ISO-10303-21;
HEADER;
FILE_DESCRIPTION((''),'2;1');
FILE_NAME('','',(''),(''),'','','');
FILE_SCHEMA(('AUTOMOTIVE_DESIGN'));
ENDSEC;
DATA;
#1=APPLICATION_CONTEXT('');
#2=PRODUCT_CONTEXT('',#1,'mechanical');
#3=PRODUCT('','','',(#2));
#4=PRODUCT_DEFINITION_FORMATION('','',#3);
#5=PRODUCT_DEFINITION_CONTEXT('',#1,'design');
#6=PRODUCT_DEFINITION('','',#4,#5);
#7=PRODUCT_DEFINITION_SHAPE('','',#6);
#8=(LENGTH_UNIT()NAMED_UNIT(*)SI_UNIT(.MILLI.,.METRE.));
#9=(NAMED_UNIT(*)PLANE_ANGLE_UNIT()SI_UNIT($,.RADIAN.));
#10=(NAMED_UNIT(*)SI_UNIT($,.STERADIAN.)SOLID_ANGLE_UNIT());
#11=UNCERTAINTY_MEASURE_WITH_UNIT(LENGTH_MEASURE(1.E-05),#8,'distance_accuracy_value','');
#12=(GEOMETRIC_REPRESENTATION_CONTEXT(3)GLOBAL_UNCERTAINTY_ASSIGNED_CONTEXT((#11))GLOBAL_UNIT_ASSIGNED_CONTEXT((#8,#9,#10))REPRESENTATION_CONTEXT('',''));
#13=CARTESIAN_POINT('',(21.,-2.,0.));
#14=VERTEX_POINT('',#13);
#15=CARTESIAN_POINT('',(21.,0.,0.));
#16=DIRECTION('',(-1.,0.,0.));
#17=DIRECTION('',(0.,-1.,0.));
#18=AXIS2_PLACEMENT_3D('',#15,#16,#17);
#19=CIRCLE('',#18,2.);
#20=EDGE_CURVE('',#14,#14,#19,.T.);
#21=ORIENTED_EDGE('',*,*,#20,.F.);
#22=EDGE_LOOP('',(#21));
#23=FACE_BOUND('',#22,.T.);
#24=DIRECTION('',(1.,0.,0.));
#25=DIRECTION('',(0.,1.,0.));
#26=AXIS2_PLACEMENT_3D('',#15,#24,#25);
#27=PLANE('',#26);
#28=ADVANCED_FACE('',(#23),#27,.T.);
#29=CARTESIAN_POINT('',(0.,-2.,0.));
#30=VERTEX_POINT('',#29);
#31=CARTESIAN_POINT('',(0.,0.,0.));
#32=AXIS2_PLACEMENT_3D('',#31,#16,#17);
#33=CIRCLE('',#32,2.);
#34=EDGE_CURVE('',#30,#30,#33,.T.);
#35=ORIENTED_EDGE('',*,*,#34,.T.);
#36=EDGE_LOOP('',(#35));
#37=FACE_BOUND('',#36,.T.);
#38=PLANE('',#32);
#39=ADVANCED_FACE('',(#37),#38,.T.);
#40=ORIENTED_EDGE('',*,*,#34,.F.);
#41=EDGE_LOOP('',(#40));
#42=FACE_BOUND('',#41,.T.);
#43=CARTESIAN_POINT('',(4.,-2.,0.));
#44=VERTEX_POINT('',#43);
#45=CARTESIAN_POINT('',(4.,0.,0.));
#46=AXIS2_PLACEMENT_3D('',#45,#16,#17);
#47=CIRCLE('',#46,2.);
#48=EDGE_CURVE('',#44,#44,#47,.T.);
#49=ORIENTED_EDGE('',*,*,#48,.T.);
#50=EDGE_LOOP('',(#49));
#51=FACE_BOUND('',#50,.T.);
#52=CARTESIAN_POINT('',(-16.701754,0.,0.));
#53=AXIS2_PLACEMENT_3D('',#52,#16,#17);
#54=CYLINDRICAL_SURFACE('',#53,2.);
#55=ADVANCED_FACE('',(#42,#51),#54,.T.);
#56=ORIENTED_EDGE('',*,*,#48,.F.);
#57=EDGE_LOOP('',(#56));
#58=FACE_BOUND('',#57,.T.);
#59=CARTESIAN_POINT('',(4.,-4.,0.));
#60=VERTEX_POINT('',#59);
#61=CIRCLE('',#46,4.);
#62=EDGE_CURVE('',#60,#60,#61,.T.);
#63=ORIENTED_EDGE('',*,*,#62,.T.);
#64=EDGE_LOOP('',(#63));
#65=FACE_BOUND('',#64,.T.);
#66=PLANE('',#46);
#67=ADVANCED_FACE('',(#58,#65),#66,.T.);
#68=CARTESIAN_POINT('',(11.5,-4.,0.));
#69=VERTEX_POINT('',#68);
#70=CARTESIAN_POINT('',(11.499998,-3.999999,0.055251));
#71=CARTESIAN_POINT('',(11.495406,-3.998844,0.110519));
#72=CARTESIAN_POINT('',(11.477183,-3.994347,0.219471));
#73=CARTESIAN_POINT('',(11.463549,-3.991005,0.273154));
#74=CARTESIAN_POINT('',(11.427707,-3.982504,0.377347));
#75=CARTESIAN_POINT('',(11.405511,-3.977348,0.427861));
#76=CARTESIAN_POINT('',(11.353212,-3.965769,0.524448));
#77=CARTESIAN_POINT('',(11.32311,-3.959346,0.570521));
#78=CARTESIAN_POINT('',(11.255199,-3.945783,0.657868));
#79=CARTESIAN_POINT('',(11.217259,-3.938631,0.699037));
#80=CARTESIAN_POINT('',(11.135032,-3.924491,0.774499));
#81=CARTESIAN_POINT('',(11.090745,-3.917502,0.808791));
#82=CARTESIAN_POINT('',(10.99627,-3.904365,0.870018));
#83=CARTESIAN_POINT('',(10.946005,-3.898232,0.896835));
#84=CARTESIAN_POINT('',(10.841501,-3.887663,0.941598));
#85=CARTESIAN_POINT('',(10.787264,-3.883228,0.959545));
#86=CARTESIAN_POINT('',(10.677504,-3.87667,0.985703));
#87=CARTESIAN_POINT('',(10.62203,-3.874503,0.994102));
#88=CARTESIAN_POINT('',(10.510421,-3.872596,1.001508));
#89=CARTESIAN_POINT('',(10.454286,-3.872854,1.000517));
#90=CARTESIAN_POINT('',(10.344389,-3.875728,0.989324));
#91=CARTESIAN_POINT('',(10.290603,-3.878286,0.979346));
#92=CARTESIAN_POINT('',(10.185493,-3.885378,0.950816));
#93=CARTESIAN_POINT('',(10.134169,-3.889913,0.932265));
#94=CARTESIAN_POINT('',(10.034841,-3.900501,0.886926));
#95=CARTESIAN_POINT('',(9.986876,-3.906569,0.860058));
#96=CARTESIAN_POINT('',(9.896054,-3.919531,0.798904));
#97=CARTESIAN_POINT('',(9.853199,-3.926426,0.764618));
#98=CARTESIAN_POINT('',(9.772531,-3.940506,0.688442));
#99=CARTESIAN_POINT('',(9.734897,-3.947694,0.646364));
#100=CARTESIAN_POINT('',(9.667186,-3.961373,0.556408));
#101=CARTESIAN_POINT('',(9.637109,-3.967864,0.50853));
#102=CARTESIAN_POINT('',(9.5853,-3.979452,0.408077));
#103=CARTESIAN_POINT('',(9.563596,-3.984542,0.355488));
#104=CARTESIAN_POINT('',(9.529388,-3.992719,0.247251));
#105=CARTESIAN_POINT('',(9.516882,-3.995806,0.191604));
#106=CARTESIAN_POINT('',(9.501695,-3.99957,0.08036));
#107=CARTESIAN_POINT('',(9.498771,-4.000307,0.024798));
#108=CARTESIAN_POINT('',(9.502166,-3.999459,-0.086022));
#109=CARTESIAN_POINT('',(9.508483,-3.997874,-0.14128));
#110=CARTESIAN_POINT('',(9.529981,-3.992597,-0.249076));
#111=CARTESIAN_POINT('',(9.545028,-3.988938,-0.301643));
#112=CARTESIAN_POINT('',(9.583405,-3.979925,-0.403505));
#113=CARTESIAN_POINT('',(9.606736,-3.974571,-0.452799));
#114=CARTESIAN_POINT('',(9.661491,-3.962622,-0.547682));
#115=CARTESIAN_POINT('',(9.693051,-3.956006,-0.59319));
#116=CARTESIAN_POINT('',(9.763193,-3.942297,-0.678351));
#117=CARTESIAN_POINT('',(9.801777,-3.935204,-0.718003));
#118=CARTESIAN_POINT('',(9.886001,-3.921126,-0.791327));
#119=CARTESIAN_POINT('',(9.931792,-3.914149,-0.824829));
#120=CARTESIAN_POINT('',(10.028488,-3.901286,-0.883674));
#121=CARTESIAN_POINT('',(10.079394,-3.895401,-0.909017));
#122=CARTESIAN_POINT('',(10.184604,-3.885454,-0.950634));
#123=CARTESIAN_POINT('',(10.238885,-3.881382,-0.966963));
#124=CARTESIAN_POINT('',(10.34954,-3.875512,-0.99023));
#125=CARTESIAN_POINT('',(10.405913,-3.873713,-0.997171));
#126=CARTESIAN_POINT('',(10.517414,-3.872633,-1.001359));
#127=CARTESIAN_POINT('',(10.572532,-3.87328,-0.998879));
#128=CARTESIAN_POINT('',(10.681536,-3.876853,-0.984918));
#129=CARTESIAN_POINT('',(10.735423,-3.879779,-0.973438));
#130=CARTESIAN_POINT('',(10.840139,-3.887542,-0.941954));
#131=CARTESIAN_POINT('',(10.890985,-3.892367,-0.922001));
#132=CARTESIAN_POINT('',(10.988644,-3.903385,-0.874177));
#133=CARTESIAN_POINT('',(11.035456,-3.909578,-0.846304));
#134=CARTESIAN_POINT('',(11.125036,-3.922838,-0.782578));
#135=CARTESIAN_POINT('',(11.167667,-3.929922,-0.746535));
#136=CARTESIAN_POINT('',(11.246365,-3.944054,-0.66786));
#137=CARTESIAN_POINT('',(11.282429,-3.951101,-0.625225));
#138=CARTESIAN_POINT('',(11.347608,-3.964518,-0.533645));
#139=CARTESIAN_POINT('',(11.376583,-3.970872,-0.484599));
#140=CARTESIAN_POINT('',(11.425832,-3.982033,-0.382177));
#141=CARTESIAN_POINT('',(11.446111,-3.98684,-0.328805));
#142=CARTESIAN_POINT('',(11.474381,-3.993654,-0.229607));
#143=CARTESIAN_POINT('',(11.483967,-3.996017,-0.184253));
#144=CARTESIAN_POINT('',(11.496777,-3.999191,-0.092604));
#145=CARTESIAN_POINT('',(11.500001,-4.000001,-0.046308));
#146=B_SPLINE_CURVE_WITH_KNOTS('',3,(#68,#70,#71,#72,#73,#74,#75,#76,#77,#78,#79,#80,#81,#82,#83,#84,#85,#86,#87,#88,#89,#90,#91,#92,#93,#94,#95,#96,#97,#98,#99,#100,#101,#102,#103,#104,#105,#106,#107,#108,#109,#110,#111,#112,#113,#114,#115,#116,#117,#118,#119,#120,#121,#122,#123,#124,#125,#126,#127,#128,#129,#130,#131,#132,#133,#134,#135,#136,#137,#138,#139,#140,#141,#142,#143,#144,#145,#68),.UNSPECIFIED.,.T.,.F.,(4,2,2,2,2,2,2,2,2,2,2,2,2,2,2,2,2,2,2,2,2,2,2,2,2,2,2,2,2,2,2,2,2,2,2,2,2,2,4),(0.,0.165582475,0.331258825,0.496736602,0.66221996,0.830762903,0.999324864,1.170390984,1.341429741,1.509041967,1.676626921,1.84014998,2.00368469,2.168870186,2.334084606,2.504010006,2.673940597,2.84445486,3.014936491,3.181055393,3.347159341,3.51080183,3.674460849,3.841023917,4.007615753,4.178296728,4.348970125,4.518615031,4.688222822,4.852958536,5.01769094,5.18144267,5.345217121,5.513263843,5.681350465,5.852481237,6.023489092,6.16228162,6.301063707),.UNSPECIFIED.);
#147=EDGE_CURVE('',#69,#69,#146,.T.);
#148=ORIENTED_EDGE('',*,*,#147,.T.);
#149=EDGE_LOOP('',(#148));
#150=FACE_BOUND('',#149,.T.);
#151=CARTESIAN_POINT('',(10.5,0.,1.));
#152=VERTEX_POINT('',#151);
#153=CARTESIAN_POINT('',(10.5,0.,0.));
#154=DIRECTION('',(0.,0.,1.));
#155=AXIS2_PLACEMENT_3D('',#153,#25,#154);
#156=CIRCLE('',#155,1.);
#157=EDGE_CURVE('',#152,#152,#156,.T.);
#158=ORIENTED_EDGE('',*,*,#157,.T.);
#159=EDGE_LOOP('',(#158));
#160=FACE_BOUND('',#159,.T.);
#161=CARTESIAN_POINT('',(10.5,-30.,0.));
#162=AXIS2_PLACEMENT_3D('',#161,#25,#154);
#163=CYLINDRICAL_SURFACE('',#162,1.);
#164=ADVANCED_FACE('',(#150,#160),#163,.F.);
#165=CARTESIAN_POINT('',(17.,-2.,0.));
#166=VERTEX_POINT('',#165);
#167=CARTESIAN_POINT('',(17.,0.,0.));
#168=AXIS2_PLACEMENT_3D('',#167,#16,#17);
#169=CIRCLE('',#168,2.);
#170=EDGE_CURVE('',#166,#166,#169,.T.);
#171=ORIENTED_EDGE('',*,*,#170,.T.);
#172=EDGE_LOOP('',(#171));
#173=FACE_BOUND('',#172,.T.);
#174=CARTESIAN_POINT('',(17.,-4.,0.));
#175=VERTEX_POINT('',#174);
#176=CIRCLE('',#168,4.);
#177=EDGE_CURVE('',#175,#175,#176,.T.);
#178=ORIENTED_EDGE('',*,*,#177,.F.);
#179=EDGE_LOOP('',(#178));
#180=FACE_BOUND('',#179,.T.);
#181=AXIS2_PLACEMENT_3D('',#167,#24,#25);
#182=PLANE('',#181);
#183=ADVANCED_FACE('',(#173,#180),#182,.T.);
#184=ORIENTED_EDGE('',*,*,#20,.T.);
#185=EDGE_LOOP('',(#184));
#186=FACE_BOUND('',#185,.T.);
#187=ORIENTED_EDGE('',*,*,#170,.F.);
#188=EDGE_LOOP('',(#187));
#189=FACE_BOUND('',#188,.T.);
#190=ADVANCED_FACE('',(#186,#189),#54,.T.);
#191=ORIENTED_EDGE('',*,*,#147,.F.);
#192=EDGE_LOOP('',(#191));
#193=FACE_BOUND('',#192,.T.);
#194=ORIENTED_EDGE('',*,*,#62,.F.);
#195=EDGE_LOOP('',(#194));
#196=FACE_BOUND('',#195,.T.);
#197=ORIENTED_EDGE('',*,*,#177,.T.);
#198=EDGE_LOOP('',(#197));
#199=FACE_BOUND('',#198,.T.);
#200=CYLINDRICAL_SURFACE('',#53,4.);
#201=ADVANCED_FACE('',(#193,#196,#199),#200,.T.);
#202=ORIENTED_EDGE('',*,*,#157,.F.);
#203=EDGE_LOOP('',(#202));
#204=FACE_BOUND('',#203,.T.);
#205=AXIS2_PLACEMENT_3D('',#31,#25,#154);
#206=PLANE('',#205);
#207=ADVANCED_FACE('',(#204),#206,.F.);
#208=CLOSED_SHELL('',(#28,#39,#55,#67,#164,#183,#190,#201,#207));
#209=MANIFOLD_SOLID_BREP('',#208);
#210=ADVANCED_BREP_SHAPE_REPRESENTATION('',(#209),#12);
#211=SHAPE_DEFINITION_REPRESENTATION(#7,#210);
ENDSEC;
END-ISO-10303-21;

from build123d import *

# Parameters (mm, degrees)
CUT_EXTRUDE_1_DEPTH = 30


with BuildPart() as part:
    # 草图1 → 旋转2 (revolve)
    with BuildSketch(Plane.XY, mode=Mode.PRIVATE) as revolve_2_sk:
        Polygon((0, 2), (0, 0), (17, 0), (21, 0), (21, 2), (17, 2), (17, 4), (4, 4), (4, 2), align=None)
    revolve(revolve_2_sk.sketch.rotate(Axis((-16.701754386, 0, 0), (1, 0, 0)), 180), axis=Axis((-16.701754386, 0, 0), (1, 0, 0)))

    # 草图2 → 切除-拉伸1 (cut)
    with BuildSketch(Plane(origin=(0, 0, 0), x_dir=(1, 0, 0), z_dir=(0, 1, 0))):
        with BuildLine():
            ThreePointArc((11.5, 0), (10.5, 1), (9.5, 0))
            Line((9.5, 0), (11.5, 0))
        make_face()
        with BuildLine():
            Line((11.5, 0), (9.5, 0))
            ThreePointArc((9.5, 0), (10.5, -1), (11.5, 0))
        make_face()
    extrude(amount=-CUT_EXTRUDE_1_DEPTH, mode=Mode.SUBTRACT)


solid = part.part
